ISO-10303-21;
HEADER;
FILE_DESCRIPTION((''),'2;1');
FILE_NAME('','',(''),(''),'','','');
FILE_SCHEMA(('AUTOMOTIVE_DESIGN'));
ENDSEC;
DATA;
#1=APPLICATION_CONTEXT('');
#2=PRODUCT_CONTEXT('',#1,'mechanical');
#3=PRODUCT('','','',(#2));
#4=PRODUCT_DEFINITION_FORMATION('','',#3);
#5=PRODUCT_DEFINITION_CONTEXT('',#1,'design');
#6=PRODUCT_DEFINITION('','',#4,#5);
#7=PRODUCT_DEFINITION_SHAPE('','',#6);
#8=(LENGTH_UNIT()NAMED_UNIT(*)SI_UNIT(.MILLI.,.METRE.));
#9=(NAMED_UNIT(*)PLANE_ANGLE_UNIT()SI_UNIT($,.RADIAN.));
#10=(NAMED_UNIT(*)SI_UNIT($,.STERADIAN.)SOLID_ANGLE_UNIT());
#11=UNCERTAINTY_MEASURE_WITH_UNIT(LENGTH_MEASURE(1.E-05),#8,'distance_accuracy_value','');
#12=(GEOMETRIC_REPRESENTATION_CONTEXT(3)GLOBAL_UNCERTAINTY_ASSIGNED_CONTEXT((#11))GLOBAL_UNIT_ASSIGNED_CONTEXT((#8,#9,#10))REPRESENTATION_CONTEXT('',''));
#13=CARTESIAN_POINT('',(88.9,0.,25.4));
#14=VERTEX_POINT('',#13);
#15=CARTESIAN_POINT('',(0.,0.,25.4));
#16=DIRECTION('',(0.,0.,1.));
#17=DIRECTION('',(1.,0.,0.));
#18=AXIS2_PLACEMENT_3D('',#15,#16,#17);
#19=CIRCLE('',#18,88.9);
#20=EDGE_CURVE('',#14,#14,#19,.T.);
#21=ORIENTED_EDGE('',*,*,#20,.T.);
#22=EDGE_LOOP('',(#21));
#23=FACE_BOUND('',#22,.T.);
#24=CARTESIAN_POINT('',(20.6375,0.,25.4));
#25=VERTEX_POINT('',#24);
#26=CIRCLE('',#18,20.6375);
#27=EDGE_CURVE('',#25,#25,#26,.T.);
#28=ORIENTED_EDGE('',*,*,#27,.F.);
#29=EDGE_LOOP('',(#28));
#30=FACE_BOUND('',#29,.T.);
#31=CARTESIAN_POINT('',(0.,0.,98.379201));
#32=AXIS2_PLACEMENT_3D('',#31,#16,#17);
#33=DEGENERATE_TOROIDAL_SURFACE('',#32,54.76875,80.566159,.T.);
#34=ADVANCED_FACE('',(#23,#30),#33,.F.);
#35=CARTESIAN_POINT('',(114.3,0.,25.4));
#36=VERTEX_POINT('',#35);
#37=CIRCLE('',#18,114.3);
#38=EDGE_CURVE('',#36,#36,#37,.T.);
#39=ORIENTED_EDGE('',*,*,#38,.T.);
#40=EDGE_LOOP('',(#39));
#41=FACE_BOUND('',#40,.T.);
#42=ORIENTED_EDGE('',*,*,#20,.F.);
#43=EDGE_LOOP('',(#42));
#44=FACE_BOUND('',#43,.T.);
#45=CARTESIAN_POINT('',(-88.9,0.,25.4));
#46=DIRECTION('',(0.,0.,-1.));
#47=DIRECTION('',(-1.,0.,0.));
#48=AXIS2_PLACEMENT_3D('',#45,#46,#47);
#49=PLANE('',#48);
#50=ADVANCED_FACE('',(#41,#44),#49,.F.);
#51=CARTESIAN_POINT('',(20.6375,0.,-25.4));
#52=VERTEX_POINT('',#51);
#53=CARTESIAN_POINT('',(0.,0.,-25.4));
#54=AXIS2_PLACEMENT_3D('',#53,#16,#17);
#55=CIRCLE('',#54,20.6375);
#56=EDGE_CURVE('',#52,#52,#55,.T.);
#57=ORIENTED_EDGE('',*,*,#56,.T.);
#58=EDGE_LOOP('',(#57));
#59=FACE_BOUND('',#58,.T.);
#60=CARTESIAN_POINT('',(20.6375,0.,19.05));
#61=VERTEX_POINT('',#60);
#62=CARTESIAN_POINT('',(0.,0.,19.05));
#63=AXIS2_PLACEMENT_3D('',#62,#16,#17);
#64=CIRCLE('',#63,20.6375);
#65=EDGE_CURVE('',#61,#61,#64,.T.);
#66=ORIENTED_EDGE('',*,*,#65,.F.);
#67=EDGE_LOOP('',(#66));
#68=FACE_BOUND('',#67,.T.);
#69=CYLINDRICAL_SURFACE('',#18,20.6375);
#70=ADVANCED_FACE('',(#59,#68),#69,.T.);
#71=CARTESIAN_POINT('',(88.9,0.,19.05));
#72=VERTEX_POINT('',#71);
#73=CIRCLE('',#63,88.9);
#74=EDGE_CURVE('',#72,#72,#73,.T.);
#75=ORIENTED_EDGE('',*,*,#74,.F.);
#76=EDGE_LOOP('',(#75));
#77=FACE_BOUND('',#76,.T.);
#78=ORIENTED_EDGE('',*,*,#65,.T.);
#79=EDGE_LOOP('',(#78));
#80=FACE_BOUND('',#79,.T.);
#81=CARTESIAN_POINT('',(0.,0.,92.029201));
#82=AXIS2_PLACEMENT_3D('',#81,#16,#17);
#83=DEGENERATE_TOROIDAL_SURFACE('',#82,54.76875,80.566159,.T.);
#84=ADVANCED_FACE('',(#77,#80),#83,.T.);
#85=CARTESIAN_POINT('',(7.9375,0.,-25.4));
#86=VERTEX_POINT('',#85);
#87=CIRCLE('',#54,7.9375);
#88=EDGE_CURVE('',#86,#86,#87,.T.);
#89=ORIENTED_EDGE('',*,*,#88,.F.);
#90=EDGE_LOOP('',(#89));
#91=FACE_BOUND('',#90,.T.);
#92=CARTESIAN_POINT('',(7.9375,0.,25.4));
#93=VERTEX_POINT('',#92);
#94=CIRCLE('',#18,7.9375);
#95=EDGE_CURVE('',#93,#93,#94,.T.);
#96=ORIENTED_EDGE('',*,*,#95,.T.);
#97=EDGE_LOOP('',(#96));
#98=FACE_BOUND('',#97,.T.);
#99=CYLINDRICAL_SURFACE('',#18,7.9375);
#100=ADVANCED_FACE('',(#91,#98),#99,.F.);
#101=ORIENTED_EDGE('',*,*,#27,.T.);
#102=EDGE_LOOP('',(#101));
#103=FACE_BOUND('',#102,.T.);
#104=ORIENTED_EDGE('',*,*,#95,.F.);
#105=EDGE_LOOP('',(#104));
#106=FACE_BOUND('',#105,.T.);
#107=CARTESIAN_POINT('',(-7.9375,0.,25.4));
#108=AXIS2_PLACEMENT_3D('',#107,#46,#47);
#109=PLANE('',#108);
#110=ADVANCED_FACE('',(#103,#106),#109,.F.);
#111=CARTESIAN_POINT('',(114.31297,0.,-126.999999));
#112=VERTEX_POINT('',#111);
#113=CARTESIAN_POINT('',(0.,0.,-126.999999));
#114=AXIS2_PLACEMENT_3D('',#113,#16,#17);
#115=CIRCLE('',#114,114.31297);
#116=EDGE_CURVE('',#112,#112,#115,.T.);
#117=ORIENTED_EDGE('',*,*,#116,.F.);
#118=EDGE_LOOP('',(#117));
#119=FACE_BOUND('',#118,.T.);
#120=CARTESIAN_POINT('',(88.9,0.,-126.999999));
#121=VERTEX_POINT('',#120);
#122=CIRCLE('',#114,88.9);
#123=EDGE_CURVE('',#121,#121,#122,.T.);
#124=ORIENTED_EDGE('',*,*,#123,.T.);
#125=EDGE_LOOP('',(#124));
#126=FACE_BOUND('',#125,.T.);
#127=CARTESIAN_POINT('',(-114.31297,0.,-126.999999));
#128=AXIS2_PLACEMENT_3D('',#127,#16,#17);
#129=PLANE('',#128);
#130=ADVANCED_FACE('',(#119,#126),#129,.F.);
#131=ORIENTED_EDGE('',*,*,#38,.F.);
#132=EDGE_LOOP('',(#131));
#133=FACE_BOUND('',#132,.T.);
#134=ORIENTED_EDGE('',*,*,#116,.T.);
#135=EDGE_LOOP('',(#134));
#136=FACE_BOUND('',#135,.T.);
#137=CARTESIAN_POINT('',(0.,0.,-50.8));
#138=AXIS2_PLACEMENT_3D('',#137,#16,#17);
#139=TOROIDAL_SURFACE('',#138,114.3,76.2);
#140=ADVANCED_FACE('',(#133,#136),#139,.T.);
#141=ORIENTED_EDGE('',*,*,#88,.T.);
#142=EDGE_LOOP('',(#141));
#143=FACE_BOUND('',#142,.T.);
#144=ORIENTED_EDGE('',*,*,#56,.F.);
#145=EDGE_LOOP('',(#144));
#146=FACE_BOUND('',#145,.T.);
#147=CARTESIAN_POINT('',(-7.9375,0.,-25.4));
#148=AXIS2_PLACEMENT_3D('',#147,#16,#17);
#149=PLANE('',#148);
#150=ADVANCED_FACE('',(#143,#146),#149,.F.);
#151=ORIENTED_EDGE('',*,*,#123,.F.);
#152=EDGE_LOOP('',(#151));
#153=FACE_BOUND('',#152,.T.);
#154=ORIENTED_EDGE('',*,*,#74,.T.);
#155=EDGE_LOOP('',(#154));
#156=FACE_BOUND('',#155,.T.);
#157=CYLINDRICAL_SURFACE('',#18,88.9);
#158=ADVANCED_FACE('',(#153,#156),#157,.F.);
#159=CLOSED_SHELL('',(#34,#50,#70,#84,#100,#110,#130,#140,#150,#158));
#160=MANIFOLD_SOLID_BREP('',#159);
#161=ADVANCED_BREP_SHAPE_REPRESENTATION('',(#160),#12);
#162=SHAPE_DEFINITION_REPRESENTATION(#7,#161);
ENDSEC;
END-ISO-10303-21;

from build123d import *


with BuildPart() as part:
    # Sketch1 → Revolve1 (revolve)
    with BuildSketch(Plane(origin=(0, 0, 0), x_dir=(1, 0, 0), z_dir=(0, 1, 0))):
        with BuildLine():
            Line((-7.9375, -25.4), (-7.9375, 25.4))
            Line((-7.9375, 25.4), (-20.6375, 25.4))
            Line((-20.6375, 25.4), (-20.6375, -19.05))
            ThreePointArc((-20.6375, -19.05), (-54.768750138, -11.463041765), (-88.900000276, -19.05))
            Line((-88.900000276, -19.05), (-88.900000276, 126.999998896))
            Line((-88.900000276, 126.999998896), (-114.312969887, 126.999998896))
            ThreePointArc((-114.312969887, 126.999998896), (-190.5, 50.793515194), (-114.300000276, -25.4))
            Line((-114.300000276, -25.4), (-88.900000276, -25.4))
            ThreePointArc((-88.900000276, -25.4), (-54.768750138, -17.813041765), (-20.6375, -25.4))
            Line((-20.6375, -25.4), (-7.9375, -25.4))
        make_face()
    revolve(axis=Axis((0, 0, 25.4), (0, 0, -1)))


solid = part.part
